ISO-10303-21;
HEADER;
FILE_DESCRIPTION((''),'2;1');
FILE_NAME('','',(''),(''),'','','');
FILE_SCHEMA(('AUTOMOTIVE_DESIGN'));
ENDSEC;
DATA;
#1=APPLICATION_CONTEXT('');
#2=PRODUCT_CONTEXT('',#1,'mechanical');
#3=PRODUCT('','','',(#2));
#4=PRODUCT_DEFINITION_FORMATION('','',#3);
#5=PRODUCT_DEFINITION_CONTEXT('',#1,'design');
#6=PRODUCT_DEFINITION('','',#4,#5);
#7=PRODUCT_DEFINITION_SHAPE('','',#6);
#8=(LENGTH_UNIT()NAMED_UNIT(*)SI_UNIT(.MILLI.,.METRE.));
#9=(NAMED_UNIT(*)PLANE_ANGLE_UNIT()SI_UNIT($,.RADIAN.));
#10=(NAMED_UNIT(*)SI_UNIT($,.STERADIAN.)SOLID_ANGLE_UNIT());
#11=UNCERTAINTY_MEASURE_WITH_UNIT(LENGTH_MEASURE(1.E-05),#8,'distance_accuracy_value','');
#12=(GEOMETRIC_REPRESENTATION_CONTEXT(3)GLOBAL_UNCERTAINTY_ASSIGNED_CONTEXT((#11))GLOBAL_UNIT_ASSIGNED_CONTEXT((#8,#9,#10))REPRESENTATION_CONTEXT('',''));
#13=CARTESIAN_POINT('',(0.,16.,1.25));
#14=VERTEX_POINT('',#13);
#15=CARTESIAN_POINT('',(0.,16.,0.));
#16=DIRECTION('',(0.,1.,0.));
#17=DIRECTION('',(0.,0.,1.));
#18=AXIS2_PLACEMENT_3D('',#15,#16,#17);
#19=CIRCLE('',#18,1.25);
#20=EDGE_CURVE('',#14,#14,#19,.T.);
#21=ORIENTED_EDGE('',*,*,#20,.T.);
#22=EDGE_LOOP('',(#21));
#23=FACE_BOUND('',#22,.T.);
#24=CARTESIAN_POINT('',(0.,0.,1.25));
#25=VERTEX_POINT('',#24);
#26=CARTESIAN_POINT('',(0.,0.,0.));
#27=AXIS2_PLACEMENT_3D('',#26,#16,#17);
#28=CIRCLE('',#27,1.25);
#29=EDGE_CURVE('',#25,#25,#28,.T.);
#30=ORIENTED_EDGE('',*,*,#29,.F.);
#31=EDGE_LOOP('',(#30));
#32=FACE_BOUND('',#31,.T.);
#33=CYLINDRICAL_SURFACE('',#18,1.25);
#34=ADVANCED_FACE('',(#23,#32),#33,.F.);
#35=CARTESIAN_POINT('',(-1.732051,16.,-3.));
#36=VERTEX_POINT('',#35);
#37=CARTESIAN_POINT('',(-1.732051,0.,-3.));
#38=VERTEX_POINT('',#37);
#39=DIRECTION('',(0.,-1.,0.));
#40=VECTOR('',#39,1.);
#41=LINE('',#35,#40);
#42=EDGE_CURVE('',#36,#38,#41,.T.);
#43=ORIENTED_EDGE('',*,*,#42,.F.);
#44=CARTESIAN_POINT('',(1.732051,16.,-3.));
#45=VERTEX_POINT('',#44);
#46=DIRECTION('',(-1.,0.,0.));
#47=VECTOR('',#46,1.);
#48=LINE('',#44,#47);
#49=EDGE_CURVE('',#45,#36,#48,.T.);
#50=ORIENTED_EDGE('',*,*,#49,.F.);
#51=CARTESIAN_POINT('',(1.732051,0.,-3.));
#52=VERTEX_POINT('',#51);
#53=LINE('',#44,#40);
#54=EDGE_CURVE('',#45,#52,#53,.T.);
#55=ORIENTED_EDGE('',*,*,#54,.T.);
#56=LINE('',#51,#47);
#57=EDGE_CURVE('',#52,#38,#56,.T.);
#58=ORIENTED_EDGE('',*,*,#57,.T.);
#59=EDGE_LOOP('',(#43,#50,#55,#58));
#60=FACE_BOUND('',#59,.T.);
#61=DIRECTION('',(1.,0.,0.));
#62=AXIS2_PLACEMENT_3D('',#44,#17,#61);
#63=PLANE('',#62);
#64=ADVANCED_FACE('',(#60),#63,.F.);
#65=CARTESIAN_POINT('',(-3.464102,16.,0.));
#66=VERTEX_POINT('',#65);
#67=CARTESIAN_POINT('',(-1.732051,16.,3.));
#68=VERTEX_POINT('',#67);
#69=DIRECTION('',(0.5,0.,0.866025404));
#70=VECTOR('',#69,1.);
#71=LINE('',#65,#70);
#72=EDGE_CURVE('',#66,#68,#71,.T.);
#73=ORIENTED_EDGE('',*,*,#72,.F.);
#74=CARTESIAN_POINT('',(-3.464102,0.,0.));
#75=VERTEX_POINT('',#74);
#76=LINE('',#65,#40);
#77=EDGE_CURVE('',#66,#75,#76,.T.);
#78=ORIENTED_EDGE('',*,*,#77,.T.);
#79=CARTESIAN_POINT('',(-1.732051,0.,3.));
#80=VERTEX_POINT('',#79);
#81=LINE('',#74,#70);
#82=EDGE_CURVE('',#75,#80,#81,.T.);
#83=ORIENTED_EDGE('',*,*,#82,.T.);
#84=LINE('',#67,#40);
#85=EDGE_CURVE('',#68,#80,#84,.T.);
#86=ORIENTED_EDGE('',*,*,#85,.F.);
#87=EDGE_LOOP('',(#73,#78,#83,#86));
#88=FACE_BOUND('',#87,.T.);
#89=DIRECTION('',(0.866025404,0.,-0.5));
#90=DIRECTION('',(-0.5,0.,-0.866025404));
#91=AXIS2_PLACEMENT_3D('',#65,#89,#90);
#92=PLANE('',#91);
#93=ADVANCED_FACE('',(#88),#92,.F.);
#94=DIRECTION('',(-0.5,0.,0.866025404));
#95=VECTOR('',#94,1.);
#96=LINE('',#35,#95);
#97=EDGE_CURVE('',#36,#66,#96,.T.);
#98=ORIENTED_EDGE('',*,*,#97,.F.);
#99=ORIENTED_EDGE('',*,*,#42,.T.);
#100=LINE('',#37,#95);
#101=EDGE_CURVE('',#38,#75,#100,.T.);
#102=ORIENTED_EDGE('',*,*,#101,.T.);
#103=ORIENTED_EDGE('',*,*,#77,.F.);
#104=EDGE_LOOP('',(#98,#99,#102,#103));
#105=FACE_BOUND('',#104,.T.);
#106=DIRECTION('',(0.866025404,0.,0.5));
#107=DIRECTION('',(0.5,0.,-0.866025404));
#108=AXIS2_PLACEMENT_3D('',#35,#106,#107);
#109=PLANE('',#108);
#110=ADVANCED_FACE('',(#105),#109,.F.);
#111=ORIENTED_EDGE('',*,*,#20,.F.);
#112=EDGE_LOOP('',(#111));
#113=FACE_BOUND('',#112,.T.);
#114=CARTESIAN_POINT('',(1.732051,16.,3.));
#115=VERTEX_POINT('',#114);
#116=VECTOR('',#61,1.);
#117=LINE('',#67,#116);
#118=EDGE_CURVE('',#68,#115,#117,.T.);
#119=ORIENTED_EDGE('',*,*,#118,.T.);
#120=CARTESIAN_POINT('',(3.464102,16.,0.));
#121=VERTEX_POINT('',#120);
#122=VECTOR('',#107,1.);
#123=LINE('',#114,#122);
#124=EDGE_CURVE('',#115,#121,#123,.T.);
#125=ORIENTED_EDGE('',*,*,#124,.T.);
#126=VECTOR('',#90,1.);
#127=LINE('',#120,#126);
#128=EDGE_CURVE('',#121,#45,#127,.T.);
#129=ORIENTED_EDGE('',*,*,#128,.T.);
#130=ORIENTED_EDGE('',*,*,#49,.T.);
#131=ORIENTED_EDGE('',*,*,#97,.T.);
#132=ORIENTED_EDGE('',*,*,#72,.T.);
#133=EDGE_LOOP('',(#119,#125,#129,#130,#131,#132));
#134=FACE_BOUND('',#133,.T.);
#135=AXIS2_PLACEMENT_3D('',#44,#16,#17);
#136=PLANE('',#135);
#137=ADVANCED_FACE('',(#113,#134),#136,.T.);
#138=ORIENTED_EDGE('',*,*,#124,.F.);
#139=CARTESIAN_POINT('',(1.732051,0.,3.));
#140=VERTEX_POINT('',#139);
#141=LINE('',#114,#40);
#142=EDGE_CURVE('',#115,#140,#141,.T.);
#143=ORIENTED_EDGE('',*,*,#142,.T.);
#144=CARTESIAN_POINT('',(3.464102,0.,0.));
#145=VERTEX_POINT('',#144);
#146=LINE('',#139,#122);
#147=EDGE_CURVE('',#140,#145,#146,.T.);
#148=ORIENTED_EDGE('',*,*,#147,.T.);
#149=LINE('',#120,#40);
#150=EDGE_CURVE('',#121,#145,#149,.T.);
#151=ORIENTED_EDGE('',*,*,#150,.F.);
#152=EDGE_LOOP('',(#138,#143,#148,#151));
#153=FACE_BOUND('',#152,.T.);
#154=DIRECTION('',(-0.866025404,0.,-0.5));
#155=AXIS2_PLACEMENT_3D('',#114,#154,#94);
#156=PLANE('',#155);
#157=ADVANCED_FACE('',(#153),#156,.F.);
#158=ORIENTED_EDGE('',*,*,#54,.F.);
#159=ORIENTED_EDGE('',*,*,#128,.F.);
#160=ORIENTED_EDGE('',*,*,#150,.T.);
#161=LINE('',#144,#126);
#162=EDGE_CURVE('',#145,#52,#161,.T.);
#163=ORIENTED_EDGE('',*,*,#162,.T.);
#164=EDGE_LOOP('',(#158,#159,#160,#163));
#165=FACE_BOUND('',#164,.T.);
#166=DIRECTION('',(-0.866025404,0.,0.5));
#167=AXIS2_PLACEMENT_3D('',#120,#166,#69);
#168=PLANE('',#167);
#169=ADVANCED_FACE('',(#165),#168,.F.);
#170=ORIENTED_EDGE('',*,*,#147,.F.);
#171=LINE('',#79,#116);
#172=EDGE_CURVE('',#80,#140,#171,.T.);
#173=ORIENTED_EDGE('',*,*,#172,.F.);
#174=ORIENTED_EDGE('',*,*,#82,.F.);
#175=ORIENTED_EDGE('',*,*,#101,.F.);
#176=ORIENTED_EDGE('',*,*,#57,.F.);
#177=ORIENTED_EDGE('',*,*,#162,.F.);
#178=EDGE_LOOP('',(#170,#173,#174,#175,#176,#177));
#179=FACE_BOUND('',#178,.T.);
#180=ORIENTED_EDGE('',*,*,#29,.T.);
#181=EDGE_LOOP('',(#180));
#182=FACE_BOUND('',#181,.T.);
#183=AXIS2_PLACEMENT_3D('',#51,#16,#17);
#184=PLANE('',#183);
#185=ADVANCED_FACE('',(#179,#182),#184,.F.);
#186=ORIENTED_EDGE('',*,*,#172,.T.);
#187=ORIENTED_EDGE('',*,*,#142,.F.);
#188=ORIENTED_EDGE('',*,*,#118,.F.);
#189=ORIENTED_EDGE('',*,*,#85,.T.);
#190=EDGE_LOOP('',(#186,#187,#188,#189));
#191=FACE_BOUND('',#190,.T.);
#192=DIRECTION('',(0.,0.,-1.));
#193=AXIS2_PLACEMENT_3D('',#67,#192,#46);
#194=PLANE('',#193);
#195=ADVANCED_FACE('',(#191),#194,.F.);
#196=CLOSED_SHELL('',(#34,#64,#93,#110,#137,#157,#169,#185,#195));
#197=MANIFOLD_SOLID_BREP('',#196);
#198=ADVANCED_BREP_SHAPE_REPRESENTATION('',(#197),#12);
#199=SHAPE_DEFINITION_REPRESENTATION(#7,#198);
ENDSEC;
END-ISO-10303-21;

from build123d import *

# Parameters (mm, degrees)
BOSS_EXTRUDE1_DEPTH   = 16
M3X0_5_TAPPED_HOLE1_D = 2.5


with BuildPart() as part:
    # Sketch1 → Boss-Extrude1 (new body)
    with BuildSketch(Plane(origin=(0, 0, 0), x_dir=(1, 0, 0), z_dir=(0, 1, 0))):
        Polygon((1.732050808, 3), (-1.732050808, 3), (-3.464101615, 0), (-1.732050808, -3), (1.732050808, -3), (3.464101615, 0), align=None)
    extrude(amount=BOSS_EXTRUDE1_DEPTH)

    # M3x0.5 Tapped Hole1 (through all)
    with Locations(Plane(origin=(0, 16, 0), x_dir=(-1, 0, 0), z_dir=(0, 1, 0))):
        with Locations((0, 0)):
            Hole(M3X0_5_TAPPED_HOLE1_D / 2)


solid = part.part
